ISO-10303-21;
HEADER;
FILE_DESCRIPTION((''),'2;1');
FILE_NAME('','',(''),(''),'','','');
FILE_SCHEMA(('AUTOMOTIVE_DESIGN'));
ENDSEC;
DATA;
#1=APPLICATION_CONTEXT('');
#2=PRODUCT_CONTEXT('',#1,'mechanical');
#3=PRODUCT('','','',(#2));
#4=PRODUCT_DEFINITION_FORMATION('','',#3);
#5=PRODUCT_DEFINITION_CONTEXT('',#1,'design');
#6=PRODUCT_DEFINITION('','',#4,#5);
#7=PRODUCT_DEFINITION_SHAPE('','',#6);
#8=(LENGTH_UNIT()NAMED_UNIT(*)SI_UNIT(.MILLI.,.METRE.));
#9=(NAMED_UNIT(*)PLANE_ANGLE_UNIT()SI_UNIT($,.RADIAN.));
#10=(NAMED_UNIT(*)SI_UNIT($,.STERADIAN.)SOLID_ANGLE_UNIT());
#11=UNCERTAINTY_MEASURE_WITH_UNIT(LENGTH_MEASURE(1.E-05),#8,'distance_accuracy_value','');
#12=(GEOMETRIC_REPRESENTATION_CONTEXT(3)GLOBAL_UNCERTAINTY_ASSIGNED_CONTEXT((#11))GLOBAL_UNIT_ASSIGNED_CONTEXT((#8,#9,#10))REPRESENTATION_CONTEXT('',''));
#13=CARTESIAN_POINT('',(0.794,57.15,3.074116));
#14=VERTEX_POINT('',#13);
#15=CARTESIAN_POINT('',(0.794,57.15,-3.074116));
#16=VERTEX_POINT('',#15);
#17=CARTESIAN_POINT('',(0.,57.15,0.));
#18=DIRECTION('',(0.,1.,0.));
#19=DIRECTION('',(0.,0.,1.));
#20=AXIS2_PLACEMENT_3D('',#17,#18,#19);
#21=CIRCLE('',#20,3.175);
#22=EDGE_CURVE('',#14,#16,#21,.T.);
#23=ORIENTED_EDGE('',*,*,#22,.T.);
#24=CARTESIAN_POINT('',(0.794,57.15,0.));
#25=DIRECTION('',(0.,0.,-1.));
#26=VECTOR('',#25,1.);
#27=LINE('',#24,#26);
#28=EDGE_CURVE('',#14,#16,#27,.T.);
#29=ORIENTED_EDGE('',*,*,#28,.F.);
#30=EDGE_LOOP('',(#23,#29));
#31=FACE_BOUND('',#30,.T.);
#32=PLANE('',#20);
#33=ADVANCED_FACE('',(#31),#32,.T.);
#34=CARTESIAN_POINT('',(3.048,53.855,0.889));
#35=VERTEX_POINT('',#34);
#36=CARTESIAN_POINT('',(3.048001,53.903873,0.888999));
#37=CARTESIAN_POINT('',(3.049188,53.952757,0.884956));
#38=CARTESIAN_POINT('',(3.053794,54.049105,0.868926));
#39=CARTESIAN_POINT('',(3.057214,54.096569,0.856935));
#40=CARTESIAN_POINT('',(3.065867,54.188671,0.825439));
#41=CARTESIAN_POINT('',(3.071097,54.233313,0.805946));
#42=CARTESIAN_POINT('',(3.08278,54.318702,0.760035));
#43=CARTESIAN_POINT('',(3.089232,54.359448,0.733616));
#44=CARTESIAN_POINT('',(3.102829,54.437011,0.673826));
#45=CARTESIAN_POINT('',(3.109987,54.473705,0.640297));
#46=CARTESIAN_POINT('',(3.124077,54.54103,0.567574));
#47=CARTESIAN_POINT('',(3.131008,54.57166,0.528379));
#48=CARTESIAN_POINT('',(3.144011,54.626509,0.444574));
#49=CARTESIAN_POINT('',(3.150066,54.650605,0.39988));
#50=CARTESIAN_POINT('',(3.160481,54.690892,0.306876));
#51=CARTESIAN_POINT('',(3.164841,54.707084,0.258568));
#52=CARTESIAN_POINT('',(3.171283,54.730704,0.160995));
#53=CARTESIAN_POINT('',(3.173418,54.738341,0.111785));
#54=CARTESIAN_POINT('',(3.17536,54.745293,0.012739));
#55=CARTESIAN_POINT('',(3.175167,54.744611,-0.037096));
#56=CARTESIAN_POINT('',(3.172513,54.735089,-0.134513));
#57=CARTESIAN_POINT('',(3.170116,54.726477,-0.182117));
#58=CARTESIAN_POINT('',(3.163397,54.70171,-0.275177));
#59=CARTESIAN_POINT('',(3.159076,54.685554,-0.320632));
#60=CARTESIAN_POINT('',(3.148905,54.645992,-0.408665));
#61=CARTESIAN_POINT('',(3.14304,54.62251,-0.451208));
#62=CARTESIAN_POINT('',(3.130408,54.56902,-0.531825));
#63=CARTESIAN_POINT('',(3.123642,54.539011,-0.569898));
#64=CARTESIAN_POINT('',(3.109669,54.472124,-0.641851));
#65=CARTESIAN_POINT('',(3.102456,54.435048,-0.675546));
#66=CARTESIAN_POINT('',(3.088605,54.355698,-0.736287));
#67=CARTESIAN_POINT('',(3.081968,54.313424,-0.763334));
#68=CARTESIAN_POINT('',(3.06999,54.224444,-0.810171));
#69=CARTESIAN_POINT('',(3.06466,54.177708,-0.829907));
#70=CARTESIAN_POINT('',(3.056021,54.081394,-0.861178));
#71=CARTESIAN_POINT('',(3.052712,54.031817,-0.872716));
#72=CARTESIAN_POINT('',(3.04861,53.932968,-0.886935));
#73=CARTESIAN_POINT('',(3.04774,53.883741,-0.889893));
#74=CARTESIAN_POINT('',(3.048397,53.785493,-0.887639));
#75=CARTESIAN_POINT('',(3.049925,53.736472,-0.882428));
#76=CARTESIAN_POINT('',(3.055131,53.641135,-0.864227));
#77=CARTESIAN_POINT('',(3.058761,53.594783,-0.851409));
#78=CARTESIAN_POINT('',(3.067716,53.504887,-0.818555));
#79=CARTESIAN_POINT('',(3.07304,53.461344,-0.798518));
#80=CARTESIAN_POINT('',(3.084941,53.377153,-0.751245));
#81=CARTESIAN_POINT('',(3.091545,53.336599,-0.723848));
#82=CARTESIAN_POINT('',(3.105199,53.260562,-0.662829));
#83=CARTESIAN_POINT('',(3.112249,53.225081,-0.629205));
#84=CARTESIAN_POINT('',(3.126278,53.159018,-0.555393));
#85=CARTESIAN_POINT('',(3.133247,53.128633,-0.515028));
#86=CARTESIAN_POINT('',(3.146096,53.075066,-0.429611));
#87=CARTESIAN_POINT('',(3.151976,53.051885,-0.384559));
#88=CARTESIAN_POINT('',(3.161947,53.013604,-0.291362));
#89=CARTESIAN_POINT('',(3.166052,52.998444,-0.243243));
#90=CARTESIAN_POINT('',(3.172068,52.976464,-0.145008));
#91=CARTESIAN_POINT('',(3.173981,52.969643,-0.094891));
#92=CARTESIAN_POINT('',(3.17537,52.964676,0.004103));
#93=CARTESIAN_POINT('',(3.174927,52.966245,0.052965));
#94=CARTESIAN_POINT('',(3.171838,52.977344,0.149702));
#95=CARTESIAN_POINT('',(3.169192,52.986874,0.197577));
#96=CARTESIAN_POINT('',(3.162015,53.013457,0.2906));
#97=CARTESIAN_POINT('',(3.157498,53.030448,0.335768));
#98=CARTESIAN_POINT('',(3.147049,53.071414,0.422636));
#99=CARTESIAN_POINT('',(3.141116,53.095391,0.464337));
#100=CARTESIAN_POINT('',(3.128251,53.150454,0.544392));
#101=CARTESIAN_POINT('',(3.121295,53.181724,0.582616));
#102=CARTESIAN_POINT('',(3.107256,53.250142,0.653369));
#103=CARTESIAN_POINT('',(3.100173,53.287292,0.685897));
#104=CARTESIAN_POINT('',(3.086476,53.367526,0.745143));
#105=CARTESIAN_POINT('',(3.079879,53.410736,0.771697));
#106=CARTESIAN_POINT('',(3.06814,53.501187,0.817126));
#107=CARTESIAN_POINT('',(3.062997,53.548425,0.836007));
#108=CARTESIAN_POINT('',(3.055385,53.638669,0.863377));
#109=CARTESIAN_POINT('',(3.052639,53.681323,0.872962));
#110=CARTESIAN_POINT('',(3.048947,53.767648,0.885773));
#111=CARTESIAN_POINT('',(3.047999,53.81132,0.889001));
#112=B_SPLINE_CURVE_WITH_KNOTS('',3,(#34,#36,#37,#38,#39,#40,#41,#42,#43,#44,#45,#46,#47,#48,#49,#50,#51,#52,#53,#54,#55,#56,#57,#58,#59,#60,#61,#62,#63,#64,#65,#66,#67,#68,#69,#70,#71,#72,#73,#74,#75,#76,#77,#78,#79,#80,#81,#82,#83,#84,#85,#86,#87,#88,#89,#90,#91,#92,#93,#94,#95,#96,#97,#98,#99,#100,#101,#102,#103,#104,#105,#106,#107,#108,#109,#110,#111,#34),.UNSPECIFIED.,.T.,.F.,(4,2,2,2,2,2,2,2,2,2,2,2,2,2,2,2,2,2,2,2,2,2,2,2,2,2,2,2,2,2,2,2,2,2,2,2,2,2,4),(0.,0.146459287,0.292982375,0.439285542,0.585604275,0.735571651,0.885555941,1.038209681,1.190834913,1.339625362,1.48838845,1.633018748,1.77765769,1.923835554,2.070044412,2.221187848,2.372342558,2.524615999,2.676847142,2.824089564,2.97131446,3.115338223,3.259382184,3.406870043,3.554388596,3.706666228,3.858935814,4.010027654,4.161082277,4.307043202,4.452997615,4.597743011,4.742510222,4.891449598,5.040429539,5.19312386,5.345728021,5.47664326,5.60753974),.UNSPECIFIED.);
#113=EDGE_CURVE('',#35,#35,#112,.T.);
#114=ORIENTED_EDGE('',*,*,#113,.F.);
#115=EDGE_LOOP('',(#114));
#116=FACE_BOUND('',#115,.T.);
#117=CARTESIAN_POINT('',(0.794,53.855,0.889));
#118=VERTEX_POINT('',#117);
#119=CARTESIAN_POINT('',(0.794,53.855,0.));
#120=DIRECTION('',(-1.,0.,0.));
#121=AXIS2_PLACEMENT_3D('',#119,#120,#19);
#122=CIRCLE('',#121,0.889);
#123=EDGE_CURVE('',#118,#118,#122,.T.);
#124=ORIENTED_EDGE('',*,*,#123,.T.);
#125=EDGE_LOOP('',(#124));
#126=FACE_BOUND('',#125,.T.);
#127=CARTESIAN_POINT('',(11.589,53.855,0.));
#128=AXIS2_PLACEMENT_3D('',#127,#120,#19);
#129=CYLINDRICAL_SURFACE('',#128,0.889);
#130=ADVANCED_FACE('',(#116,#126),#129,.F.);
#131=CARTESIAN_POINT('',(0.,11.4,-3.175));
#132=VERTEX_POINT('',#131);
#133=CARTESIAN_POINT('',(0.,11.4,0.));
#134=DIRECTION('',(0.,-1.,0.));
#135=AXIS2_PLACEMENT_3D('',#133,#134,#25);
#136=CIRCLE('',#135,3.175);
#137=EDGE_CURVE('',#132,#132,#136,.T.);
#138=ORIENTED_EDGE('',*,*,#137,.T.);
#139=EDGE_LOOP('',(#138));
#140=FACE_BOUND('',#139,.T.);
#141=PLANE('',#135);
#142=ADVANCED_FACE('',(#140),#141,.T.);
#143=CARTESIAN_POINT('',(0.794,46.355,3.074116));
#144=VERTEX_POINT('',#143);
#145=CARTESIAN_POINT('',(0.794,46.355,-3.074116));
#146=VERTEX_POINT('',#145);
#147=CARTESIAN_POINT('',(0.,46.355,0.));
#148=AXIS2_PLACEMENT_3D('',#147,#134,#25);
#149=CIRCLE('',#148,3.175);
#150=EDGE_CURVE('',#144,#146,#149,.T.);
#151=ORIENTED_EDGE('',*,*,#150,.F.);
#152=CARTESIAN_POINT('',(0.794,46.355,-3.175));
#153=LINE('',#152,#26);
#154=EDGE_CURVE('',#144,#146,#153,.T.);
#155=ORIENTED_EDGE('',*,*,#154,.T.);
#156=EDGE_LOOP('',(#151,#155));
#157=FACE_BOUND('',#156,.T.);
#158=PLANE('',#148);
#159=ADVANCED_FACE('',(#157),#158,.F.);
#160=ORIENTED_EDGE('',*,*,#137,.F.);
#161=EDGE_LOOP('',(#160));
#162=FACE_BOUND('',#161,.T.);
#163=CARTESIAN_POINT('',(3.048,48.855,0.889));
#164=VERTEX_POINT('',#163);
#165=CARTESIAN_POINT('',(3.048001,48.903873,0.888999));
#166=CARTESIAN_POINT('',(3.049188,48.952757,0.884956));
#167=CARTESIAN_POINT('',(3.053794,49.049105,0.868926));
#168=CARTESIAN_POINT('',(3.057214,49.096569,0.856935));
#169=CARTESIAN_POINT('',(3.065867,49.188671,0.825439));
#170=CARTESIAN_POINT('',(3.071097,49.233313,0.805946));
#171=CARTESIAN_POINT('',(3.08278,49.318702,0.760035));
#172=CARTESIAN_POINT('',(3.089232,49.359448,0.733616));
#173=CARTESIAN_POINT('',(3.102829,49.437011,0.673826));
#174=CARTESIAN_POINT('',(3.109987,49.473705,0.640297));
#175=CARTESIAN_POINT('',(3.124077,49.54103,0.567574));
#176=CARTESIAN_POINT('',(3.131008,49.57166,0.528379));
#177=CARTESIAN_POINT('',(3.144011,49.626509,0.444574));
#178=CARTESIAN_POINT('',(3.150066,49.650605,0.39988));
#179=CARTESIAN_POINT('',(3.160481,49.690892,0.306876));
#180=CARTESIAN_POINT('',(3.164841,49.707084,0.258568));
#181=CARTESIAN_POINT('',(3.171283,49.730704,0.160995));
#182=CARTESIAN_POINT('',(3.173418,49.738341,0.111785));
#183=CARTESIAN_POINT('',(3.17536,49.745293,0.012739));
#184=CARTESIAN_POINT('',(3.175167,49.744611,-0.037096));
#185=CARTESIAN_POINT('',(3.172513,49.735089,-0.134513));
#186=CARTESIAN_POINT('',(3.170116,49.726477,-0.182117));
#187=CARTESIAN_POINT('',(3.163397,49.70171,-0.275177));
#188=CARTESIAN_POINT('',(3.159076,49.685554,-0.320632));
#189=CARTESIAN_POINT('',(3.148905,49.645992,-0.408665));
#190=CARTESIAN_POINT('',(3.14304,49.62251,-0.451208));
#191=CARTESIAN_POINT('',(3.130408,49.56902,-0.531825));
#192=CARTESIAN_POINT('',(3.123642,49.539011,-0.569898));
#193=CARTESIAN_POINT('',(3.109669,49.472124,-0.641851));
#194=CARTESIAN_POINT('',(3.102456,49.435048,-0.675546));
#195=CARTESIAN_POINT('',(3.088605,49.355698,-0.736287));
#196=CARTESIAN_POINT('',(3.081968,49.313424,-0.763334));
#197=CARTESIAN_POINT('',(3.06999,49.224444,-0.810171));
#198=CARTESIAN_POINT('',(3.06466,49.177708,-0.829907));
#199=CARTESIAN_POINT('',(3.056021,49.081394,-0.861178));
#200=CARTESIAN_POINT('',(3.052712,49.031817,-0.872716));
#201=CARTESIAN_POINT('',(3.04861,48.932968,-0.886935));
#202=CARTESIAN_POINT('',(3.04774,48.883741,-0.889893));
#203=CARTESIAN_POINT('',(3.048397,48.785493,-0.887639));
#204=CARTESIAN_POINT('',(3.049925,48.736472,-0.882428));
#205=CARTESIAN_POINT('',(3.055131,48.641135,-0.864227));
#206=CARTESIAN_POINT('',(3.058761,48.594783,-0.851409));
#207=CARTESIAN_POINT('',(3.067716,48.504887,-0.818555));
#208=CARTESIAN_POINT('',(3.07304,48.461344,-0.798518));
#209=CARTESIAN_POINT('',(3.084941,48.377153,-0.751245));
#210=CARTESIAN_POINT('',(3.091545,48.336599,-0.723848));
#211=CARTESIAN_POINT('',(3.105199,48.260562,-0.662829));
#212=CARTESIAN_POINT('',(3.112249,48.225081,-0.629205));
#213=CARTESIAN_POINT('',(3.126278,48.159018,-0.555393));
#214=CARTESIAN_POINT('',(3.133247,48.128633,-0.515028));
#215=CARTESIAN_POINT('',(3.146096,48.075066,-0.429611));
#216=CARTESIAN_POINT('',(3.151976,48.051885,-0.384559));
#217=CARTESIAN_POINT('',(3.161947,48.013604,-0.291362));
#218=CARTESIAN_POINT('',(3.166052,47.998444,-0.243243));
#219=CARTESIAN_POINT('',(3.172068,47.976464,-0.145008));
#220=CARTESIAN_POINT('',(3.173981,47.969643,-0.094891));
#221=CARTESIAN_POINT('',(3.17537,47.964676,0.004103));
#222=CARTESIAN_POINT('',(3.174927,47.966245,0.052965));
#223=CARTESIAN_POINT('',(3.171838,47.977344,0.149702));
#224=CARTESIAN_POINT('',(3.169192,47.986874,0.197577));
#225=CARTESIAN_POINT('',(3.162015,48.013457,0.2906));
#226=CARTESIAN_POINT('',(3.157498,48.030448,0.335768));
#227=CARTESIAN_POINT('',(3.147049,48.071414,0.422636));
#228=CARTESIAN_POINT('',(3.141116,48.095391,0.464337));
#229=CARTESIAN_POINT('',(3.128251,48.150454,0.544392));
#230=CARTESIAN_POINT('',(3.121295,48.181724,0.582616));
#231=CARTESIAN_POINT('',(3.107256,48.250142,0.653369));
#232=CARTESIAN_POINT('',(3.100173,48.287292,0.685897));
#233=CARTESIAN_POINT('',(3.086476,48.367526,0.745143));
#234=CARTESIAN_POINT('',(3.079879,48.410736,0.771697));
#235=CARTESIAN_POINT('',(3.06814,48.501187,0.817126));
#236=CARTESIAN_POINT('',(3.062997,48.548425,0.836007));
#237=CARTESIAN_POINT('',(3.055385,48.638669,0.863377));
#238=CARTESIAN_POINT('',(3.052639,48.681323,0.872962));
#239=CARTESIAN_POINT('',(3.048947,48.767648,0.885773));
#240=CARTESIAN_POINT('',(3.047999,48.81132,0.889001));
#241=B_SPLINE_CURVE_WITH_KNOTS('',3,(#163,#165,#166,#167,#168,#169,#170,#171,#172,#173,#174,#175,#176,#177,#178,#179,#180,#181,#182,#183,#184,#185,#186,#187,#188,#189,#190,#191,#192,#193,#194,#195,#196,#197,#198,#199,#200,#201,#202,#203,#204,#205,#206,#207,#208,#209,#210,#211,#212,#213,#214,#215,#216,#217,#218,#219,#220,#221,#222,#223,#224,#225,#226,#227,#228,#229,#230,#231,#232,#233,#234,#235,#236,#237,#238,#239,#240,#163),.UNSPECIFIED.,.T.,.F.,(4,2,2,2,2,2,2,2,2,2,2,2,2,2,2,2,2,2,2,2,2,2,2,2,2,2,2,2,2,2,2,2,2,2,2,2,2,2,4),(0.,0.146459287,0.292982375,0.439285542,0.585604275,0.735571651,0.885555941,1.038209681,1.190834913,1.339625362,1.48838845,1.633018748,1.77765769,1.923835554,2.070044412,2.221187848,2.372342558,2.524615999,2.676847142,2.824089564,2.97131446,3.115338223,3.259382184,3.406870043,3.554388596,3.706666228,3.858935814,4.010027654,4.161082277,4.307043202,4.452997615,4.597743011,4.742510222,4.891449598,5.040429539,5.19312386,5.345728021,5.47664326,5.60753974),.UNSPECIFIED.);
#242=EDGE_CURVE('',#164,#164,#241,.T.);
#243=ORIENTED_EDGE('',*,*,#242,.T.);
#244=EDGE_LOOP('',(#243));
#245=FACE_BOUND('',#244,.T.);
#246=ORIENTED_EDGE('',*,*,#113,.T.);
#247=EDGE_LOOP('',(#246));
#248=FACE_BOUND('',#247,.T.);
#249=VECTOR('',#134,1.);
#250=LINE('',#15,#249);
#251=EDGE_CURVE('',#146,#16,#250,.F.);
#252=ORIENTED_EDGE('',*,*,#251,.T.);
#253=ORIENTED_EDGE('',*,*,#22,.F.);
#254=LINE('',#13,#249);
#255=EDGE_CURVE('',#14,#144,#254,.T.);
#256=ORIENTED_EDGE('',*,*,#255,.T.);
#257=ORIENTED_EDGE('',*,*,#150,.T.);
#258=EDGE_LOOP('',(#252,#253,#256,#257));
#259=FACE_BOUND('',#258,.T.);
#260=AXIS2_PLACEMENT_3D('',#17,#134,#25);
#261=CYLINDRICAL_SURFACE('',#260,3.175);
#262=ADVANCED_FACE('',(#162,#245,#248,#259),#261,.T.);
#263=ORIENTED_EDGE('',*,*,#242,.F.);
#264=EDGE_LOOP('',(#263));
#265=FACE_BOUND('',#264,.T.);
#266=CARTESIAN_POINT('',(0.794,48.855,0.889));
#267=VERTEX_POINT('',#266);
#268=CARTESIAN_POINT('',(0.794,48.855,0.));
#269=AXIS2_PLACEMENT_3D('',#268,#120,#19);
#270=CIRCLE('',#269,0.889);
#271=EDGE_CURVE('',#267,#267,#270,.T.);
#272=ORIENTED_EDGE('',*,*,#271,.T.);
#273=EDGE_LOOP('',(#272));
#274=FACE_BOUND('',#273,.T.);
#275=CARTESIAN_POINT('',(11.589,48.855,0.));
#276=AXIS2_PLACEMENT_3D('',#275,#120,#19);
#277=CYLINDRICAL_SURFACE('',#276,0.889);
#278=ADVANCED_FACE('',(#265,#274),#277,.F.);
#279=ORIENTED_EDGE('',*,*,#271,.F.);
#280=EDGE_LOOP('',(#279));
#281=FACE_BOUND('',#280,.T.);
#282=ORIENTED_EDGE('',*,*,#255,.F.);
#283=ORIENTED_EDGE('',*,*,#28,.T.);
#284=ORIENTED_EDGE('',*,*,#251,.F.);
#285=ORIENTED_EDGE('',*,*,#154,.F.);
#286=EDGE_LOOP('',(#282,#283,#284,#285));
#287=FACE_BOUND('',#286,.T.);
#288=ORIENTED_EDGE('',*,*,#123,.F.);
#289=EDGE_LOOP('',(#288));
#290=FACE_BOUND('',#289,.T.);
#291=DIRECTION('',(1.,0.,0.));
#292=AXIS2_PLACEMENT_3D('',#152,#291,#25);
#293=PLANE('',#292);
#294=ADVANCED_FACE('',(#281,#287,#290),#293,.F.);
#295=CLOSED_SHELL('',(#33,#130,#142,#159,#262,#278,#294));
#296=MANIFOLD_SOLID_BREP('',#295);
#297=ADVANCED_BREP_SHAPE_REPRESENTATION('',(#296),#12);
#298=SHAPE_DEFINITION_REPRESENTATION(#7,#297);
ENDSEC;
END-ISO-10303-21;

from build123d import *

# Parameters (mm, degrees)
SKETCH_1_R          = 3.175
EXTRUDE_1_DEPTH     = 57.15
CUT_EXTRUDE_1_DEPTH = 10.795
SKETCH_3_R          = 0.889
CUT_EXTRUDE_2_DEPTH = 10.795
SKETCH_4_W          = 3.926157487
SKETCH_4_H          = 0.79375
CUT_EXTRUDE_3_DEPTH = 8.573
SKETCH_5_R          = 3.774888962
CUT_EXTRUDE_4_DEPTH = 11.4


with BuildPart() as part:
    # 草图1 → 凸台-拉伸1 (new body)
    with BuildSketch(Plane(origin=(0, 0, 0), x_dir=(1, 0, 0), z_dir=(0, 1, 0))):
        Circle(SKETCH_1_R)
    extrude(amount=EXTRUDE_1_DEPTH)

    # 草图2 → 切除-拉伸1 (cut)
    with BuildSketch(Plane(origin=(0, 57.15, 0), x_dir=(1, 0, 0), z_dir=(0, 1, 0))):
        Polygon((-0.794, 3.175), (0.794, 3.175), (0.794, -3.175), (-3.175, -3.175), (-3.175, 3.175), align=None)
    extrude(amount=-CUT_EXTRUDE_1_DEPTH, mode=Mode.SUBTRACT)

    # 草图3 → 切除-拉伸2 (cut)
    with BuildSketch(Plane.ZY.offset(-0.794)):
        with Locations((0, 53.855)):
            Circle(SKETCH_3_R)
        with Locations((0, 48.855)):
            Circle(SKETCH_3_R)
    extrude(amount=-CUT_EXTRUDE_2_DEPTH, mode=Mode.SUBTRACT)

    # 草图4 → 切除-拉伸3 (cut)
    with BuildSketch(Plane.XZ):
        with Locations((-0.018009896, -2.778125)):
            Rectangle(SKETCH_4_W, SKETCH_4_H)
    extrude(amount=-CUT_EXTRUDE_3_DEPTH, mode=Mode.SUBTRACT)

    # 草图5 → 切除-拉伸4 (cut)
    with BuildSketch(Plane.XZ):
        Circle(SKETCH_5_R)
    extrude(amount=-CUT_EXTRUDE_4_DEPTH, mode=Mode.SUBTRACT)


solid = part.part
